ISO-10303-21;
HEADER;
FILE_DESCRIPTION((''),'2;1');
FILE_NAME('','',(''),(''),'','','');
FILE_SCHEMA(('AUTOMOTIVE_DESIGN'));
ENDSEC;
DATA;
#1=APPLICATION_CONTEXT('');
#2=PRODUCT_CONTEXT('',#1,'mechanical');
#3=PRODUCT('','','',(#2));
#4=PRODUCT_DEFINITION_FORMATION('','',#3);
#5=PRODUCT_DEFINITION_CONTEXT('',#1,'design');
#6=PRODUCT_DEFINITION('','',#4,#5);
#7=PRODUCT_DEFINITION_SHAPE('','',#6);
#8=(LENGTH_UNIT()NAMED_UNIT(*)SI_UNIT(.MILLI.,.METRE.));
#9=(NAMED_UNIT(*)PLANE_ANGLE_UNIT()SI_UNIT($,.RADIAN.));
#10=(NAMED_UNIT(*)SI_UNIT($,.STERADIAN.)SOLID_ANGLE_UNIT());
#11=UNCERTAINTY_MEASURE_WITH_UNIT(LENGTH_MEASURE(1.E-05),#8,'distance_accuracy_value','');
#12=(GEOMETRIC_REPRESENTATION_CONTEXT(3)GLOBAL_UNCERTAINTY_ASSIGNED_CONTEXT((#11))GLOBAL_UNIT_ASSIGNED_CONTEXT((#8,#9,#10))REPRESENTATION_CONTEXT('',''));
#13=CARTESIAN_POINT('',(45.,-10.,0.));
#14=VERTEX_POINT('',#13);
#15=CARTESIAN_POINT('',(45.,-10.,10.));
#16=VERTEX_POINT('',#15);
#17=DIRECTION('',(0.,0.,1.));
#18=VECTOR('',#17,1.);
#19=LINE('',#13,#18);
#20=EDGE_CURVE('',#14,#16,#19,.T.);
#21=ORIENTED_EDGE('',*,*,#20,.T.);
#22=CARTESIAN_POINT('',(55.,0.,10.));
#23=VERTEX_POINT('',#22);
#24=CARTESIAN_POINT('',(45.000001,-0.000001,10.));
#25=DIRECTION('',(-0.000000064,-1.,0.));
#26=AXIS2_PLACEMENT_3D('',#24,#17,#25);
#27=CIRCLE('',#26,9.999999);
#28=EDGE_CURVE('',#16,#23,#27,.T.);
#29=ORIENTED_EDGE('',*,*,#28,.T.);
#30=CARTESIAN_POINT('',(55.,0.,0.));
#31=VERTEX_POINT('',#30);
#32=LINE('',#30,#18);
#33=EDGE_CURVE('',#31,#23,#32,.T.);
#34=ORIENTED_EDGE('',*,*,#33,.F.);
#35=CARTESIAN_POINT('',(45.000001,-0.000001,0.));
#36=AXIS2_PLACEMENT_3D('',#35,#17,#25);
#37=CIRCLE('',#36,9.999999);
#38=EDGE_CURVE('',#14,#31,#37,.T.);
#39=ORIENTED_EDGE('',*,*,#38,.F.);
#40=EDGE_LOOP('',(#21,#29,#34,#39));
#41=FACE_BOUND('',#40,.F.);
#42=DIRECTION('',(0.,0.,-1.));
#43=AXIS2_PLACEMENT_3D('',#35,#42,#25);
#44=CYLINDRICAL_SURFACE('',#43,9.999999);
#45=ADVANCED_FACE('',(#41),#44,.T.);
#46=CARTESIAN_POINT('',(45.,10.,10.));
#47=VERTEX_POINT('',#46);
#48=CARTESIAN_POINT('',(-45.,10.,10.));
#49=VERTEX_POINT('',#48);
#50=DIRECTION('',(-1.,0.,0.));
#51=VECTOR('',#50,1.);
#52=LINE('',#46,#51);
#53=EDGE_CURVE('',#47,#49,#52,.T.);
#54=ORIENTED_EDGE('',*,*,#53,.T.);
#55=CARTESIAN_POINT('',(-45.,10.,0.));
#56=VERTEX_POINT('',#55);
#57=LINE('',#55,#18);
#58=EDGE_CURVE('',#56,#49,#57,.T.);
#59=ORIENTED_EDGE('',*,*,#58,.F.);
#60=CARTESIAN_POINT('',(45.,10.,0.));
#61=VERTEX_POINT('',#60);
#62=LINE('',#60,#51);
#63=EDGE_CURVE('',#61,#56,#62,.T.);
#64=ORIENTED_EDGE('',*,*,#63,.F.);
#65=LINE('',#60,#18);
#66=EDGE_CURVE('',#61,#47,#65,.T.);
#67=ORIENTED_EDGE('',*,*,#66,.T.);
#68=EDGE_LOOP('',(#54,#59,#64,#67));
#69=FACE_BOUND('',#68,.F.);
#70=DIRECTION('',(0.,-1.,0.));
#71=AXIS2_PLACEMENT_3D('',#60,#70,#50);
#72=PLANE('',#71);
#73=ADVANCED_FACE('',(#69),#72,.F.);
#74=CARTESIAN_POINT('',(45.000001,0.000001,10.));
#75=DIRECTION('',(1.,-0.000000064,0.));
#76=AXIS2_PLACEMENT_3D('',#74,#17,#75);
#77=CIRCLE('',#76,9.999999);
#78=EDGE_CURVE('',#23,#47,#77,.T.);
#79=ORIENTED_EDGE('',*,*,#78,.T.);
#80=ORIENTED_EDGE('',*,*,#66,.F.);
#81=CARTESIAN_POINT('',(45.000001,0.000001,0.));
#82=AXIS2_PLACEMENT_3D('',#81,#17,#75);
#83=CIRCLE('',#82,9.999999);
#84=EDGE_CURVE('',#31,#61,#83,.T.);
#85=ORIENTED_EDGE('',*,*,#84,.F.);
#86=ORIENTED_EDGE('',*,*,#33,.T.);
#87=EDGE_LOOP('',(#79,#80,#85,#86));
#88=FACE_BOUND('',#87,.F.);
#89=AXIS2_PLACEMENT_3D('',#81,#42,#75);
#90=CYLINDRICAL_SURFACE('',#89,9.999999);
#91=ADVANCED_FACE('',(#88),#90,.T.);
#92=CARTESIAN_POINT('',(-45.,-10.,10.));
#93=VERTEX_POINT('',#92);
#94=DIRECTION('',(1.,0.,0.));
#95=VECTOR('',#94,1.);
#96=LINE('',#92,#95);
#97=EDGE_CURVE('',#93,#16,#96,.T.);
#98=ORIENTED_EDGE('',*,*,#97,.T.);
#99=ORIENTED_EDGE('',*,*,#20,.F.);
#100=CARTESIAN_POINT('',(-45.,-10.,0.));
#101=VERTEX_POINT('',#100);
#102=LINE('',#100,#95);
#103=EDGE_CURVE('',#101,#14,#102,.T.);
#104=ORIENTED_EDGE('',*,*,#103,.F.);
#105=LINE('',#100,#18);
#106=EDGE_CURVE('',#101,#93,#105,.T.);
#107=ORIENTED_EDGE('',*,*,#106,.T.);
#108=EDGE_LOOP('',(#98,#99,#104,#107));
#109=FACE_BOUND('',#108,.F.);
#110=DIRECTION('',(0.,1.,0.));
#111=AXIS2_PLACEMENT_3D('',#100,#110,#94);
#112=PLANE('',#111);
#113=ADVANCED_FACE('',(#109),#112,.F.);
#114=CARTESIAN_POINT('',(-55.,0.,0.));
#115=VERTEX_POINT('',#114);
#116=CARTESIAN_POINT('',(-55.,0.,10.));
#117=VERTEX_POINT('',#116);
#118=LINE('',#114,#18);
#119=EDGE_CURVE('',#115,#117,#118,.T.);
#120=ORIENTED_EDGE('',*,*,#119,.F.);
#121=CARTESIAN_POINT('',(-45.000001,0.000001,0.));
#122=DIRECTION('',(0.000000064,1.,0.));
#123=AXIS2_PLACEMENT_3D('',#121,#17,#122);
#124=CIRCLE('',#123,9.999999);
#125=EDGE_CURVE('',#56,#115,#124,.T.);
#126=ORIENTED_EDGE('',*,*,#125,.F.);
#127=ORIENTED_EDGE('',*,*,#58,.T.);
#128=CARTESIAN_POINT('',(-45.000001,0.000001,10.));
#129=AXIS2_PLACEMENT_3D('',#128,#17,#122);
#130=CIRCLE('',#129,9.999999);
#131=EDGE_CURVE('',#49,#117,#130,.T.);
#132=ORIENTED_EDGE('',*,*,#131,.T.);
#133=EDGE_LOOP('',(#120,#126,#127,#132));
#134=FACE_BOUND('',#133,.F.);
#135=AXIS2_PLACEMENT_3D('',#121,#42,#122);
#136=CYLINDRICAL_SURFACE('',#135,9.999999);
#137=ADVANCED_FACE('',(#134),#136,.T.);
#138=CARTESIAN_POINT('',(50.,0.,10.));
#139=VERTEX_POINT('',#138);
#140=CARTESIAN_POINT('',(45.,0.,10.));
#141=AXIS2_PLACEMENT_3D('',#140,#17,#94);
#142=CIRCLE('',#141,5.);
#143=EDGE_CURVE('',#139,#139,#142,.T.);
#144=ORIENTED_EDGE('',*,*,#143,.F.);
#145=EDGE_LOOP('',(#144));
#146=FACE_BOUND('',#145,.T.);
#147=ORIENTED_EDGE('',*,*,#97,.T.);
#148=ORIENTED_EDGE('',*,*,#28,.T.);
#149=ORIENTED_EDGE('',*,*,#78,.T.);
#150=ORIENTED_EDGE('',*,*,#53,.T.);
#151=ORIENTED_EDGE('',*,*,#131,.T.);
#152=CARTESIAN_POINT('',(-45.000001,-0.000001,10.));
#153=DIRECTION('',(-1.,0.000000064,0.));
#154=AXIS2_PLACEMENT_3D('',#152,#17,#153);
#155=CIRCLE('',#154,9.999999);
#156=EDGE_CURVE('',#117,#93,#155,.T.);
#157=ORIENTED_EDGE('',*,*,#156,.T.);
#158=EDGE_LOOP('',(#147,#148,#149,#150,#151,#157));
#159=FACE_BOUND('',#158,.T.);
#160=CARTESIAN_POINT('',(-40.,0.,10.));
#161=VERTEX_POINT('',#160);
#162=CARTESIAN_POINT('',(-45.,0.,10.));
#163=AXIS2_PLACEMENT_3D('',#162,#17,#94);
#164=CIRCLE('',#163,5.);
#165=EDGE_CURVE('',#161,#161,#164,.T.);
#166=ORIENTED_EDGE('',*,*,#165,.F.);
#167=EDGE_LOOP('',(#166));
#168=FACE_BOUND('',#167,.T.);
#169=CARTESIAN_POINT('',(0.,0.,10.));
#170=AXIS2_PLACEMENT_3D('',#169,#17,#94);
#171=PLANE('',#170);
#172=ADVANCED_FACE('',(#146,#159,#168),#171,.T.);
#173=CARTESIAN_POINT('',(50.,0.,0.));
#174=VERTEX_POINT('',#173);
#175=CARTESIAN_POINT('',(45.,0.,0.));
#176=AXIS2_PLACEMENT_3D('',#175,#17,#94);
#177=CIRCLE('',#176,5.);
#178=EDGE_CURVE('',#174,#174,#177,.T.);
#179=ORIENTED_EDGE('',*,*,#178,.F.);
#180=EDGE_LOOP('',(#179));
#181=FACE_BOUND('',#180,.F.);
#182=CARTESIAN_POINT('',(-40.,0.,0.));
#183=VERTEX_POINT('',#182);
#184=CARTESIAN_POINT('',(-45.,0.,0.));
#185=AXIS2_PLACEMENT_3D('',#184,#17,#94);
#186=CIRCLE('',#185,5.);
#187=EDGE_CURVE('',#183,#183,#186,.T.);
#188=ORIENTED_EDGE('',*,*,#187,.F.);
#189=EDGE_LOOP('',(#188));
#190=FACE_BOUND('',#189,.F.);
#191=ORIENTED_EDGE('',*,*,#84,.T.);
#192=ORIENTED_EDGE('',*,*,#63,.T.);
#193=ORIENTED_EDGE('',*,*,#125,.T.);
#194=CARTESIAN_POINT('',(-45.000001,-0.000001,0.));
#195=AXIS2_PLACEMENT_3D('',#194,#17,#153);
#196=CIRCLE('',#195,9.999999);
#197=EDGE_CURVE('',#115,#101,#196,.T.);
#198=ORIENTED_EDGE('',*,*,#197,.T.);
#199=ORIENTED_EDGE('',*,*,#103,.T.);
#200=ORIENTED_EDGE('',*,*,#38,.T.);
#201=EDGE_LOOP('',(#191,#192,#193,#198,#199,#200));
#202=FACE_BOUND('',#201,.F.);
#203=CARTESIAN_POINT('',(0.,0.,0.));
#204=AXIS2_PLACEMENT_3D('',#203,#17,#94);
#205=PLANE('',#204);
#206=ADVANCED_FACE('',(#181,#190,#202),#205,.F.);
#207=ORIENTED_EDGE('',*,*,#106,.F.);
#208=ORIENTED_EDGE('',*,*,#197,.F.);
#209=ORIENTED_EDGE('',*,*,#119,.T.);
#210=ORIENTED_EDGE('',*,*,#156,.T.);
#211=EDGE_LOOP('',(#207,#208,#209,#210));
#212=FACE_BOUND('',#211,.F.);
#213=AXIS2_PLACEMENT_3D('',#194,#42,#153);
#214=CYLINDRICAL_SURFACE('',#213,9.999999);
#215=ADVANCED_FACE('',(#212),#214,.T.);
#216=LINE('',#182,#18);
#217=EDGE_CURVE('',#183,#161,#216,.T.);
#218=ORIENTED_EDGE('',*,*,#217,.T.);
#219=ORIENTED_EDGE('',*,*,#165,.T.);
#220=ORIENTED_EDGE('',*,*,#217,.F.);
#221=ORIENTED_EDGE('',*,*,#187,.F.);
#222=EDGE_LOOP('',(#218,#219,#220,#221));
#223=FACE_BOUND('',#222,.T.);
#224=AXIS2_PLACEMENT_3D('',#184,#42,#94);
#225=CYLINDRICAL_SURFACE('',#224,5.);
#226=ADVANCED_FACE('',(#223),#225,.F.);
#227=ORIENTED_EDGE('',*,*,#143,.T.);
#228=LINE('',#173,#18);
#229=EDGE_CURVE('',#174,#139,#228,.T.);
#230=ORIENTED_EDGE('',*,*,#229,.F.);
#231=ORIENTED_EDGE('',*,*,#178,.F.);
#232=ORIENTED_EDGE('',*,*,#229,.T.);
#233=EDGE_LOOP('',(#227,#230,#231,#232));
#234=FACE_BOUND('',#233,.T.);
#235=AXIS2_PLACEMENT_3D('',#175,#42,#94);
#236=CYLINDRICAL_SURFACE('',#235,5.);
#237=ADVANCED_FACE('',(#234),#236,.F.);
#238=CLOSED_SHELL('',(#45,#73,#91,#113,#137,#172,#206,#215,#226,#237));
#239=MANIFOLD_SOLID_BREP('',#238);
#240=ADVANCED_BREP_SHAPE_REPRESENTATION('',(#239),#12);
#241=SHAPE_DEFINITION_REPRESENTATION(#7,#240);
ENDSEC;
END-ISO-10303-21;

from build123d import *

# Parameters (mm, degrees)
F0_R     = 5
F1_DEPTH = 10


with BuildPart() as f1:
    # F0 (on Top) → F1 (new body)
    with BuildSketch(Plane.XY):
        with BuildLine():
            ThreePointArc((55, 0), (52.071068, 7.071068), (45, 10))
            Line((45, 10), (-45, 10))
            ThreePointArc((-45, 10), (-52.071068, 7.071068), (-55, 0))
            ThreePointArc((-55, 0), (-52.071068, -7.071068), (-45, -10))
            Line((-45, -10), (45, -10))
            ThreePointArc((45, -10), (52.071068, -7.071068), (55, 0))
        make_face()
        with Locations((-45, 0)):
            Circle(F0_R, mode=Mode.SUBTRACT)
        with Locations((45, 0)):
            Circle(F0_R, mode=Mode.SUBTRACT)
    extrude(amount=F1_DEPTH)


solid = f1.part
